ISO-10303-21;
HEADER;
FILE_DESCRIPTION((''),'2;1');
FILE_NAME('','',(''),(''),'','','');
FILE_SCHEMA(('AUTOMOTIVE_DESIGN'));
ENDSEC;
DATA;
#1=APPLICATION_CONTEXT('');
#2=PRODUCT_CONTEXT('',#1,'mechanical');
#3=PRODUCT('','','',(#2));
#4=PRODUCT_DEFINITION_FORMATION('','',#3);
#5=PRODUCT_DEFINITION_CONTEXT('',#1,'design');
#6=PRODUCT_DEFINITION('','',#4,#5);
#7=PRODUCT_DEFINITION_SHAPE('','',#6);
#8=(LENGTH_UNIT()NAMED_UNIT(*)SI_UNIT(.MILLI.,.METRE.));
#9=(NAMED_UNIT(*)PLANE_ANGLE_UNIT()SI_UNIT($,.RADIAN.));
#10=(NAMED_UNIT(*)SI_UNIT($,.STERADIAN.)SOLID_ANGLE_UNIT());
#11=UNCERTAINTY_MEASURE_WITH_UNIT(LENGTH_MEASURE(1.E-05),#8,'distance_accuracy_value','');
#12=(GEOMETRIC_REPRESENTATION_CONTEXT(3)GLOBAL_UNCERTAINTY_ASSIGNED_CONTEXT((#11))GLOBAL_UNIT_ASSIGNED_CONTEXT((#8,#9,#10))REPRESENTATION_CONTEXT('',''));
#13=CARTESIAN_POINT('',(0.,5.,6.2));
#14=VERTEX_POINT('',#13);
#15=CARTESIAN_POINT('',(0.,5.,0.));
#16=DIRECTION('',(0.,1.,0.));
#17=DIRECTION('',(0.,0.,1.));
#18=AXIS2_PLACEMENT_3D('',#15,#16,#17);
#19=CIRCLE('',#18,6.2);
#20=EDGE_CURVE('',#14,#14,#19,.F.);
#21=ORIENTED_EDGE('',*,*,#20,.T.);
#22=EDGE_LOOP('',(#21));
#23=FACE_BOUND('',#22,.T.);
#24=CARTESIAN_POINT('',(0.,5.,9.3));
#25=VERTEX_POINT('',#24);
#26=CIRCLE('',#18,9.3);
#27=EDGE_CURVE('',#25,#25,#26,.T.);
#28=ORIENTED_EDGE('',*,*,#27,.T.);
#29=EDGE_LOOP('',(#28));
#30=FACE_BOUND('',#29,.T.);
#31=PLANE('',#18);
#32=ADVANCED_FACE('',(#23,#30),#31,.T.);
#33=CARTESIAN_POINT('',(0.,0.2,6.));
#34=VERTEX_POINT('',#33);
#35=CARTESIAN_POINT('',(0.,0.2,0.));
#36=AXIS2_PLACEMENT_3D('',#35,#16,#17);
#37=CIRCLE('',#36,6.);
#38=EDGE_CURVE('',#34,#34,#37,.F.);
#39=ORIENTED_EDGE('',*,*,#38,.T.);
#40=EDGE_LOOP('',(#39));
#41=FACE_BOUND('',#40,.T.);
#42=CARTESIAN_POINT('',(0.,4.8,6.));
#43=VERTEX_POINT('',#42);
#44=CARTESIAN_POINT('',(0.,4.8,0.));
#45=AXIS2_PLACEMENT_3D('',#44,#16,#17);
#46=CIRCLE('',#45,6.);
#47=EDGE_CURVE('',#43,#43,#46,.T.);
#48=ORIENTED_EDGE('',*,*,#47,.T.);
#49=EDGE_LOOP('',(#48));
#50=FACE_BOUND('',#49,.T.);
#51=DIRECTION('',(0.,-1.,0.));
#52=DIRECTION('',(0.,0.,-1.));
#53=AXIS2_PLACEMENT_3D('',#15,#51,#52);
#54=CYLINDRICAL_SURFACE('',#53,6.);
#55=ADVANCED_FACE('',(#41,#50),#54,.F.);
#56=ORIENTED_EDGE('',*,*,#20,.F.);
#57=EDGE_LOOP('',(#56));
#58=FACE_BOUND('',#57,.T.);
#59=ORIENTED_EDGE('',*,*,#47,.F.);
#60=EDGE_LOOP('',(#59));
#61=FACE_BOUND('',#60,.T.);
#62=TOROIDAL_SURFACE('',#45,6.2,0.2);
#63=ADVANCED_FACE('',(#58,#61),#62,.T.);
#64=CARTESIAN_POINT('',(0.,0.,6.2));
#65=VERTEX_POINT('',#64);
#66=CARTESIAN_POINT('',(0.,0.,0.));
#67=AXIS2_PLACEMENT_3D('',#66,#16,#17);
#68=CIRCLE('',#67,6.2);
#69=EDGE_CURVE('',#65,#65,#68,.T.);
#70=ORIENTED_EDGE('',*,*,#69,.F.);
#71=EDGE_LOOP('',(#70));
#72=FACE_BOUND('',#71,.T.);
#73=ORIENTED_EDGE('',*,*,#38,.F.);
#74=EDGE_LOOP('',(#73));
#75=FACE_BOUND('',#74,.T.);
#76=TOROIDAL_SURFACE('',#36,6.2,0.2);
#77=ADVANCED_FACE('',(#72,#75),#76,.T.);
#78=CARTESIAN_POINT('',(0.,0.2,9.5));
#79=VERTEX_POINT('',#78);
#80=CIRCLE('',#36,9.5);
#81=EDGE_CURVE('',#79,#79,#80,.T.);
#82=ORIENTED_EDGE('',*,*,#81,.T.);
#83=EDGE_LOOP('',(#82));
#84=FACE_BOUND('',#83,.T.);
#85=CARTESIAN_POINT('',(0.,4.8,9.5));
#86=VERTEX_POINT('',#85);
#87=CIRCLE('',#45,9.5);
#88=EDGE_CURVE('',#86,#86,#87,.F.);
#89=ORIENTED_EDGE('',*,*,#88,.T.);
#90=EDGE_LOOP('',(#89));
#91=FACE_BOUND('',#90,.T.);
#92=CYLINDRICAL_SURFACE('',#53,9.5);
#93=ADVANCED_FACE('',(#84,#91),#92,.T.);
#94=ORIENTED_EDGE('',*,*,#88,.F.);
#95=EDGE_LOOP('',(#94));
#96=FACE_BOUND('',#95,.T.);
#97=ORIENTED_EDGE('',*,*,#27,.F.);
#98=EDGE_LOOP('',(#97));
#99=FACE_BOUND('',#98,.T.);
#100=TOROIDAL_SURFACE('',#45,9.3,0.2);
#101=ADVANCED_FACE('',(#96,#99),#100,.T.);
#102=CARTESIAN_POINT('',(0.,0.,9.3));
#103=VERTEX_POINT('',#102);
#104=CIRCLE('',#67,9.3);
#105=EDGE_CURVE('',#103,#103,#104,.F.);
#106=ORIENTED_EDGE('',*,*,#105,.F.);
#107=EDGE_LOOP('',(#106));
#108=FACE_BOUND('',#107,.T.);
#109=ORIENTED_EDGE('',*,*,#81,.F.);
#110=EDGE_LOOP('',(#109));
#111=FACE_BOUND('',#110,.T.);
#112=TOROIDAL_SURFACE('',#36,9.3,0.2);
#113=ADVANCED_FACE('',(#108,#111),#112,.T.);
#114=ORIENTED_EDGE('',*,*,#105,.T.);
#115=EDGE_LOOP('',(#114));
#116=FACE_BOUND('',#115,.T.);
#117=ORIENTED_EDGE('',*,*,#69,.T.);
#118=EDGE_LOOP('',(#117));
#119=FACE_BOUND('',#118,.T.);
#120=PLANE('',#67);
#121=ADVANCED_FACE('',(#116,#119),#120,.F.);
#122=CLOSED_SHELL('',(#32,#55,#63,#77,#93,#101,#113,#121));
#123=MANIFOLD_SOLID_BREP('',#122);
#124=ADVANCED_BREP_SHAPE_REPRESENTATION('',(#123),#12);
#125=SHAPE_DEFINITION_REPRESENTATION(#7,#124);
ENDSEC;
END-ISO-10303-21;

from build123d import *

# Parameters (mm, degrees)
SKETCH1_R           = 9.5
SKETCH1_R_2         = 6
BOSS_EXTRUDE1_DEPTH = 5
FILLET1_R           = 0.2


with BuildPart() as part:
    # Sketch1 → Boss-Extrude1 (new body)
    with BuildSketch(Plane(origin=(0, 0, 0), x_dir=(1, 0, 0), z_dir=(0, 1, 0))):
        Circle(SKETCH1_R)
        Circle(SKETCH1_R_2, mode=Mode.SUBTRACT)
    extrude(amount=BOSS_EXTRUDE1_DEPTH)

    # Fillet1
    fillet1_edges = [part.edges().sort_by_distance(p)[0] for p in [
        (-9.5, 0, 0),
        (-9.5, 5, 0),
        (-6, 0, 0),
        (-6, 5, 0),
    ]]
    fillet(fillet1_edges, radius=FILLET1_R)


solid = part.part
